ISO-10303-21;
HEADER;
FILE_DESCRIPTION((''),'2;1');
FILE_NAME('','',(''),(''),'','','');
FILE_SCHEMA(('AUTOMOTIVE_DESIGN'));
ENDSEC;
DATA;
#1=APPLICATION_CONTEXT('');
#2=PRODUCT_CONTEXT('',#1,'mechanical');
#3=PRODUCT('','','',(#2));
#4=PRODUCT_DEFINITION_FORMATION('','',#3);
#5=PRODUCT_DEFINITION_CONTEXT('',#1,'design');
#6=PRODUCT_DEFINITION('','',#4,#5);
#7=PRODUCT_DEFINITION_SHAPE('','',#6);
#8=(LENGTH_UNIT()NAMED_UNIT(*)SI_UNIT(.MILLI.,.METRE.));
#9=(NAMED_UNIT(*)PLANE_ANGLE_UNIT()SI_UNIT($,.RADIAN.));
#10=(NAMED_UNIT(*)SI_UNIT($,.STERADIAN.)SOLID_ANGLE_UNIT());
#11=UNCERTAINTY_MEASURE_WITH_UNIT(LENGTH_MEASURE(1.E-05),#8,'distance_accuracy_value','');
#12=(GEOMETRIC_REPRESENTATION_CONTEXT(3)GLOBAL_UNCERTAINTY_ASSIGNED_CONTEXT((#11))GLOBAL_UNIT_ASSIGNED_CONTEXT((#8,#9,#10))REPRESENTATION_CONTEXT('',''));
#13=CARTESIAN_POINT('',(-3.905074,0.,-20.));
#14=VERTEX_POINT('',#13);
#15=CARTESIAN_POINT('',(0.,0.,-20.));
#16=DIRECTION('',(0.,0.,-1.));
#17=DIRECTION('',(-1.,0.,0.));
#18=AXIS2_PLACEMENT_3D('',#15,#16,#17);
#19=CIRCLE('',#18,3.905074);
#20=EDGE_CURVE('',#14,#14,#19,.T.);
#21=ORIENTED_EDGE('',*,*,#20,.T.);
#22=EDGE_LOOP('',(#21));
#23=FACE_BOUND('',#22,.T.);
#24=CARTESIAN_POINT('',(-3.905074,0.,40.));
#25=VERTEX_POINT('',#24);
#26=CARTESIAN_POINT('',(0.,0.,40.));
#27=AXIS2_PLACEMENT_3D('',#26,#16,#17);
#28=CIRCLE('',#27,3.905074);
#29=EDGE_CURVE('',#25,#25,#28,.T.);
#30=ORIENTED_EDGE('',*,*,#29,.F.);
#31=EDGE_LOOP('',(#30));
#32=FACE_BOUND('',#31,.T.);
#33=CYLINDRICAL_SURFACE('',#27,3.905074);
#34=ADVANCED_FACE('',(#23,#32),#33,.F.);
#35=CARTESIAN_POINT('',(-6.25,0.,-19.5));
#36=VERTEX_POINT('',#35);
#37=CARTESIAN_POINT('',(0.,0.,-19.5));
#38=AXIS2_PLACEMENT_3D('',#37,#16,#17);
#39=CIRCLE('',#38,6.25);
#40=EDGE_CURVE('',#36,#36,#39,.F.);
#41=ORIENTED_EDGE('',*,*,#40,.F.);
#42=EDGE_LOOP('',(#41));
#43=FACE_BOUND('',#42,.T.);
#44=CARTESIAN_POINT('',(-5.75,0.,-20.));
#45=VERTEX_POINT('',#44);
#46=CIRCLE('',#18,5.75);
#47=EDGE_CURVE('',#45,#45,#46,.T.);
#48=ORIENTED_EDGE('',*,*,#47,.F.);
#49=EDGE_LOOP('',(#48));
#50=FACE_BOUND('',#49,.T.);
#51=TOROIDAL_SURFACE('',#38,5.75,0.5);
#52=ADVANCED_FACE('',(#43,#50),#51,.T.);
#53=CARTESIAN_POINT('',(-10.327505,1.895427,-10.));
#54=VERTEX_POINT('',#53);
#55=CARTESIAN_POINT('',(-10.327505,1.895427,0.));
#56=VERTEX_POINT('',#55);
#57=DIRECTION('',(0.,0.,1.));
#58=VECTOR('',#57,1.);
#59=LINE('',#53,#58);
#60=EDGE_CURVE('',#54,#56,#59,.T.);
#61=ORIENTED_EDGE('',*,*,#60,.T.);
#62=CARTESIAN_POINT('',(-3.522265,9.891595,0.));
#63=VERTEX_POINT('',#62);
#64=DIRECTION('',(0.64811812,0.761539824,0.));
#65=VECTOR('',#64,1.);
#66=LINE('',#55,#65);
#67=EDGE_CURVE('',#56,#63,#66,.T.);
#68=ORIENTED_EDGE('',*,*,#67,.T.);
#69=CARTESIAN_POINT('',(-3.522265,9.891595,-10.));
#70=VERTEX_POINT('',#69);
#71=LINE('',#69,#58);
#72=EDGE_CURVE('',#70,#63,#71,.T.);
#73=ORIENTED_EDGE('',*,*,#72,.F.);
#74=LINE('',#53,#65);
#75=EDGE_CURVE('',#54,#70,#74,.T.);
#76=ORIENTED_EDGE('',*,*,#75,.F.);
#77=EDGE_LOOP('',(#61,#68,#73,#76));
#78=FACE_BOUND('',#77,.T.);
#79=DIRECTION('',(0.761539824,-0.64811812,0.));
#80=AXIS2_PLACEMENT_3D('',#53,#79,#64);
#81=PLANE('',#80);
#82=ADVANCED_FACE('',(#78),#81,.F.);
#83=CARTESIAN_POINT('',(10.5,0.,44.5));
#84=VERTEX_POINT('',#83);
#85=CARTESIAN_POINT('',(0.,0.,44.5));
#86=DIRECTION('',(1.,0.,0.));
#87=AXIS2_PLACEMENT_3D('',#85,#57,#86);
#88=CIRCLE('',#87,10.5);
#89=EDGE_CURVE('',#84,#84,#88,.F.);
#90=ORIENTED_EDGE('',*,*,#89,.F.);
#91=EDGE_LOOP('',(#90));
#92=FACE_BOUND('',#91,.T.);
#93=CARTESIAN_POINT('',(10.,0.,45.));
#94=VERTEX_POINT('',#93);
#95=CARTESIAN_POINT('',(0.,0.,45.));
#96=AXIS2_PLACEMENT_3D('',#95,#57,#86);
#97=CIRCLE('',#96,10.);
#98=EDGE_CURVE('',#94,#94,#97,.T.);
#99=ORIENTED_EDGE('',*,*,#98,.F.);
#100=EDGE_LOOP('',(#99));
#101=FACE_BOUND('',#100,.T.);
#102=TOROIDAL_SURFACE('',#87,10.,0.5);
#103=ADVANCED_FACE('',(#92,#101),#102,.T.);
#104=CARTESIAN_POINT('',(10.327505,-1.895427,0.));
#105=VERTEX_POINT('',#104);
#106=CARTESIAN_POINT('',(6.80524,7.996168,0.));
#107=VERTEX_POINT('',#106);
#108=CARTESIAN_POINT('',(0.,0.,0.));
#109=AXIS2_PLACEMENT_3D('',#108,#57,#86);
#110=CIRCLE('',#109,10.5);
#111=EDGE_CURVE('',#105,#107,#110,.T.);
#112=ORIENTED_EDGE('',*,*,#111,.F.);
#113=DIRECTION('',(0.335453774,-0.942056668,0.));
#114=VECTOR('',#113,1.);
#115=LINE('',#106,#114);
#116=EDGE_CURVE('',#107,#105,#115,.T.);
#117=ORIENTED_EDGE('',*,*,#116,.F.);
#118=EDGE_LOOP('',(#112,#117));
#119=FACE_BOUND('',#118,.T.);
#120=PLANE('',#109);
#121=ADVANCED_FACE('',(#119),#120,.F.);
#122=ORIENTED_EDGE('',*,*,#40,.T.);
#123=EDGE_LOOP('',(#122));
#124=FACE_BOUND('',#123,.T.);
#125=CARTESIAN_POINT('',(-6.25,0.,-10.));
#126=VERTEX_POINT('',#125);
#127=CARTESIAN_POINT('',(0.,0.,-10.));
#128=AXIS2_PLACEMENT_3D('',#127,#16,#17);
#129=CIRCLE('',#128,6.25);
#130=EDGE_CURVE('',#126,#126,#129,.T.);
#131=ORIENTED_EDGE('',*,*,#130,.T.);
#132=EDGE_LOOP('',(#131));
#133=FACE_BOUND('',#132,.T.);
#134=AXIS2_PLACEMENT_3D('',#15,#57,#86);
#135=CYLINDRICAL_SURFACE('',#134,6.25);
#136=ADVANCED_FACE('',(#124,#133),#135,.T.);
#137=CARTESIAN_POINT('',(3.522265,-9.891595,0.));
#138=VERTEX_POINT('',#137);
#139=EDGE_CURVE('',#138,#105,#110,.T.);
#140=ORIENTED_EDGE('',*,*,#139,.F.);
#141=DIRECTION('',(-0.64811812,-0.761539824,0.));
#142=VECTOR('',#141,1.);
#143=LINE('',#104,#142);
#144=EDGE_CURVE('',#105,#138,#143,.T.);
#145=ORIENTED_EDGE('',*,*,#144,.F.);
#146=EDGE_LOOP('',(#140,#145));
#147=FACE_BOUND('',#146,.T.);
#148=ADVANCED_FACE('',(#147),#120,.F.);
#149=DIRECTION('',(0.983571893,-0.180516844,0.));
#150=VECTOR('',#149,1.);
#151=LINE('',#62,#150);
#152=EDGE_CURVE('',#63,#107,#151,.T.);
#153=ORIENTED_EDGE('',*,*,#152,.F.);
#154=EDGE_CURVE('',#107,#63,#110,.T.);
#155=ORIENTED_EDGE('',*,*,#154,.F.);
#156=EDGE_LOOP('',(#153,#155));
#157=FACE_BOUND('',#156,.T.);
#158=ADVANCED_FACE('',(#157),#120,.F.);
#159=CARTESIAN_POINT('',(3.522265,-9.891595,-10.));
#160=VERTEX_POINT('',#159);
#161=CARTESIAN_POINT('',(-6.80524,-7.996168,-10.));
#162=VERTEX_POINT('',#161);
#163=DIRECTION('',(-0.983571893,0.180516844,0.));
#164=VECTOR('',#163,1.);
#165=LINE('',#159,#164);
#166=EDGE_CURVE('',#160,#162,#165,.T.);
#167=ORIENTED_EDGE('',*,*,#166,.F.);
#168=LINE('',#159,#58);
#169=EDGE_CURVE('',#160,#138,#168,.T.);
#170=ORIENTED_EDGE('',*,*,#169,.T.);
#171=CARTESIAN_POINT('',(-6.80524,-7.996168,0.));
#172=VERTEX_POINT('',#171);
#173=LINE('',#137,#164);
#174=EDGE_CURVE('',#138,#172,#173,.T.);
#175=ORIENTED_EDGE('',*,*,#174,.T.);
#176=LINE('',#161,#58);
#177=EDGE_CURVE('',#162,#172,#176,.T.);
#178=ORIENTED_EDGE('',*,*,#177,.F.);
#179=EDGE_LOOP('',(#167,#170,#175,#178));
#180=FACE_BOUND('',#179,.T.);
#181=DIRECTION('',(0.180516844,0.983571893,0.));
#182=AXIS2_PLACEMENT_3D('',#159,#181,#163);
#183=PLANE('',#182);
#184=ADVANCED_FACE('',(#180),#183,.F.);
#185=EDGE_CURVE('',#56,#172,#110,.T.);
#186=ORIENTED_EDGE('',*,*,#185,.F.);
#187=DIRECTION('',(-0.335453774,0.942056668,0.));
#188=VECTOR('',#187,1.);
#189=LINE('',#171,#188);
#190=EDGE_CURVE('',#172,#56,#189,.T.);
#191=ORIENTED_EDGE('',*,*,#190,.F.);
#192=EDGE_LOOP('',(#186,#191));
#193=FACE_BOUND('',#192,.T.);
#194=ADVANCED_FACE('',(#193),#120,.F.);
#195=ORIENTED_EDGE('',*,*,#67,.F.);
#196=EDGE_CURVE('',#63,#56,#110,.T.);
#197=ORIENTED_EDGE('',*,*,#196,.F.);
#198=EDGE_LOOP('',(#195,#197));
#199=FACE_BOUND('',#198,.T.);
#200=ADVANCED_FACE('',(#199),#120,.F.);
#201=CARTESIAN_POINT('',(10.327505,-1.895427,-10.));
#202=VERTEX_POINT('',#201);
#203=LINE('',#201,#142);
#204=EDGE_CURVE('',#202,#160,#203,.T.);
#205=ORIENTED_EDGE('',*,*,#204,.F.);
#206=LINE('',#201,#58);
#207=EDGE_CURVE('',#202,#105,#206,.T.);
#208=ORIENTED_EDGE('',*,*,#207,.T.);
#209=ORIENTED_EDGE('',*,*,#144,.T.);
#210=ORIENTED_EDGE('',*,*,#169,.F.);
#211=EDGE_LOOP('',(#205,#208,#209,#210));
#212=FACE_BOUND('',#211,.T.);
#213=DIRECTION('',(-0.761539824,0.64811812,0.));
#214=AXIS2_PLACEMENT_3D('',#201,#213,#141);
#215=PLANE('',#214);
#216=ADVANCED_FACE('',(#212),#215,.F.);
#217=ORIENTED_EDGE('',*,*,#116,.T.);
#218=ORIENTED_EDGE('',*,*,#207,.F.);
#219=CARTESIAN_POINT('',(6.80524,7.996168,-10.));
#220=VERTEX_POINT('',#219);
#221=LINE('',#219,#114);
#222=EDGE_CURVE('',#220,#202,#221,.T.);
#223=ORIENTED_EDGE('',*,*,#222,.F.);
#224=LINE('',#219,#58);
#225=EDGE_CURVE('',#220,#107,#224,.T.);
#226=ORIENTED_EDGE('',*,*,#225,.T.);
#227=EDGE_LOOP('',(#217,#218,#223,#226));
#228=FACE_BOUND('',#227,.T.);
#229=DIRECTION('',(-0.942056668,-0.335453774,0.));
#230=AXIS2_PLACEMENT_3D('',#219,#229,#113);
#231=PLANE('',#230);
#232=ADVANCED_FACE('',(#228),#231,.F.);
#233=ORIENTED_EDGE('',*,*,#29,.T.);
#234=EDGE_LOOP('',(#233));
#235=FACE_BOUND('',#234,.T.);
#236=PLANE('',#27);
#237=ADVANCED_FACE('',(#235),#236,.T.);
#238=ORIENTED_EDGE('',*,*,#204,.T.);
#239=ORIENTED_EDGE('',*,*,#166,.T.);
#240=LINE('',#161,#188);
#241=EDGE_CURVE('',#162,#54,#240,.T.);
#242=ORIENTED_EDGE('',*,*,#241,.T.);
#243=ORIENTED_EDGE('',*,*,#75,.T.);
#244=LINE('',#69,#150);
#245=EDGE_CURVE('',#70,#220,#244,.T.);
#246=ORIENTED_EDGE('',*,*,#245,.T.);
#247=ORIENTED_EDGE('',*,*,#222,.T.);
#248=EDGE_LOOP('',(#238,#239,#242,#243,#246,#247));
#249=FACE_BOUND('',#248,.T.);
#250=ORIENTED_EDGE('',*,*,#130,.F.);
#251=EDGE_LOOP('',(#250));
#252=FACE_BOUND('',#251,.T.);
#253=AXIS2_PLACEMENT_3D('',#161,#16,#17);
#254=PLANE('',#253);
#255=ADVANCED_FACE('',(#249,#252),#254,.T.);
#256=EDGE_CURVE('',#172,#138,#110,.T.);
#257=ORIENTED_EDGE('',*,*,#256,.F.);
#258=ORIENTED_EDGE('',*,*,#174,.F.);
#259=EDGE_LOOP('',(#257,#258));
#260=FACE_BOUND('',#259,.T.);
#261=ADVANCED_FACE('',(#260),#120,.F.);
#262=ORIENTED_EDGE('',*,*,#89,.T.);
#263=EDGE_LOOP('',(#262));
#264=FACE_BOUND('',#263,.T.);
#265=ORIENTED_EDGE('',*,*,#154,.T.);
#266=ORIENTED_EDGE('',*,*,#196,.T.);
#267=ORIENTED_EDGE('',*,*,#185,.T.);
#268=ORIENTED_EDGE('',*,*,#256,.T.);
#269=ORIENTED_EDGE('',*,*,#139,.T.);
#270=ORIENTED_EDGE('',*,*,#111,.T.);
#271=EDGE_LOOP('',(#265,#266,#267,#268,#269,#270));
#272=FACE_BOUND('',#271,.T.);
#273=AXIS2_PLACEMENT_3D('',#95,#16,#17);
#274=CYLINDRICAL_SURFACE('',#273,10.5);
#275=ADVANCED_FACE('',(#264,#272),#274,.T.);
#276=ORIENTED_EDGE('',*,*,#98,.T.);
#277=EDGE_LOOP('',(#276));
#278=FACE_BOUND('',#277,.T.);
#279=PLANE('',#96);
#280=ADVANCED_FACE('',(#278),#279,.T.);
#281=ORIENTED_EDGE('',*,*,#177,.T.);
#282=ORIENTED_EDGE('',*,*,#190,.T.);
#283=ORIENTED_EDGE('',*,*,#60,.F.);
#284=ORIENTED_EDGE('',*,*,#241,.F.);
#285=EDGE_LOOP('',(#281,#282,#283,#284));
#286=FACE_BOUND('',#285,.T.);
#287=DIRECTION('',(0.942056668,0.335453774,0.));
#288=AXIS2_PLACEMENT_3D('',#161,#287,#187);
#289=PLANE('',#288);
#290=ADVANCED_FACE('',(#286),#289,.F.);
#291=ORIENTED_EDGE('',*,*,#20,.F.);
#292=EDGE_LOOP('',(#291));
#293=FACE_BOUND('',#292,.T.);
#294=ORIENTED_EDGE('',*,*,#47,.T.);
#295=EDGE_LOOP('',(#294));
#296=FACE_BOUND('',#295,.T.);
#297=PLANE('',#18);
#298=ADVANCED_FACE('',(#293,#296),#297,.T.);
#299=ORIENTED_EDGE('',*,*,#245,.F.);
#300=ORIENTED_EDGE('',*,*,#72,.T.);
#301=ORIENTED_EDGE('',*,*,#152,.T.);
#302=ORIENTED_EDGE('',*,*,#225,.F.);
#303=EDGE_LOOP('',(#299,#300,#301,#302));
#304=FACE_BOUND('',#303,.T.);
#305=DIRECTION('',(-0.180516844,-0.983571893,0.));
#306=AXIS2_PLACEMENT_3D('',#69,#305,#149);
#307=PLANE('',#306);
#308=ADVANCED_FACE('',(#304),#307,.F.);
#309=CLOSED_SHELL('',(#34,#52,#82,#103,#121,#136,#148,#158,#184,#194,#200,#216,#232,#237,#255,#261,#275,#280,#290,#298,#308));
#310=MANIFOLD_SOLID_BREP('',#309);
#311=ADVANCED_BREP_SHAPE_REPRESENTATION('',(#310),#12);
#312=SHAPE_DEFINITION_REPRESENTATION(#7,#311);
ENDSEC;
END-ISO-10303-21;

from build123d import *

# Parameters (mm, degrees)
SKETCH_1_R          = 10.5
EXTRUDE_1_DEPTH     = 45
EXTRUDE_2_DEPTH     = 10
SKETCH_3_R          = 6.25
EXTRUDE_3_DEPTH     = 10
FILLET_1_R          = 0.5
SKETCH_4_R          = 3.905073707
CUT_EXTRUDE_1_DEPTH = 60


with BuildPart() as part:
    # 草图1 → 凸台-拉伸1 (new body)
    with BuildSketch(Plane.XY):
        with Locations(Location((0, 0, 0), (0, 0, 180))):
            Circle(SKETCH_1_R)
    extrude(amount=EXTRUDE_1_DEPTH)

    # 草图2 → 凸台-拉伸2 (add)
    with BuildSketch(Plane(origin=(0, 0, 0), x_dir=(-1, 0, 0), z_dir=(0, 0, -1))):
        Polygon((6.805240256, -7.996168149), (10.327504878, 1.895426866), (3.522264622, 9.891595015), (-6.805240256, 7.996168149), (-10.327504878, -1.895426866), (-3.522264622, -9.891595015), align=None)
    extrude(amount=EXTRUDE_2_DEPTH)

    # 草图3 → 凸台-拉伸3 (add)
    with BuildSketch(Plane(origin=(0, 0, -10), x_dir=(-1, 0, 0), z_dir=(0, 0, -1))):
        Circle(SKETCH_3_R)
    extrude(amount=EXTRUDE_3_DEPTH)

    # 圆角1
    fillet_1_edges = [part.edges().sort_by_distance(p)[0] for p in [
        (6.25, 0, -20),
        (10.5, 0, 45),
    ]]
    fillet(fillet_1_edges, radius=FILLET_1_R)

    # 草图4 → 切除-拉伸1 (cut)
    with BuildSketch(Plane(origin=(0, 0, -20), x_dir=(-1, 0, 0), z_dir=(0, 0, -1))):
        Circle(SKETCH_4_R)
    extrude(amount=-CUT_EXTRUDE_1_DEPTH, mode=Mode.SUBTRACT)


solid = part.part
